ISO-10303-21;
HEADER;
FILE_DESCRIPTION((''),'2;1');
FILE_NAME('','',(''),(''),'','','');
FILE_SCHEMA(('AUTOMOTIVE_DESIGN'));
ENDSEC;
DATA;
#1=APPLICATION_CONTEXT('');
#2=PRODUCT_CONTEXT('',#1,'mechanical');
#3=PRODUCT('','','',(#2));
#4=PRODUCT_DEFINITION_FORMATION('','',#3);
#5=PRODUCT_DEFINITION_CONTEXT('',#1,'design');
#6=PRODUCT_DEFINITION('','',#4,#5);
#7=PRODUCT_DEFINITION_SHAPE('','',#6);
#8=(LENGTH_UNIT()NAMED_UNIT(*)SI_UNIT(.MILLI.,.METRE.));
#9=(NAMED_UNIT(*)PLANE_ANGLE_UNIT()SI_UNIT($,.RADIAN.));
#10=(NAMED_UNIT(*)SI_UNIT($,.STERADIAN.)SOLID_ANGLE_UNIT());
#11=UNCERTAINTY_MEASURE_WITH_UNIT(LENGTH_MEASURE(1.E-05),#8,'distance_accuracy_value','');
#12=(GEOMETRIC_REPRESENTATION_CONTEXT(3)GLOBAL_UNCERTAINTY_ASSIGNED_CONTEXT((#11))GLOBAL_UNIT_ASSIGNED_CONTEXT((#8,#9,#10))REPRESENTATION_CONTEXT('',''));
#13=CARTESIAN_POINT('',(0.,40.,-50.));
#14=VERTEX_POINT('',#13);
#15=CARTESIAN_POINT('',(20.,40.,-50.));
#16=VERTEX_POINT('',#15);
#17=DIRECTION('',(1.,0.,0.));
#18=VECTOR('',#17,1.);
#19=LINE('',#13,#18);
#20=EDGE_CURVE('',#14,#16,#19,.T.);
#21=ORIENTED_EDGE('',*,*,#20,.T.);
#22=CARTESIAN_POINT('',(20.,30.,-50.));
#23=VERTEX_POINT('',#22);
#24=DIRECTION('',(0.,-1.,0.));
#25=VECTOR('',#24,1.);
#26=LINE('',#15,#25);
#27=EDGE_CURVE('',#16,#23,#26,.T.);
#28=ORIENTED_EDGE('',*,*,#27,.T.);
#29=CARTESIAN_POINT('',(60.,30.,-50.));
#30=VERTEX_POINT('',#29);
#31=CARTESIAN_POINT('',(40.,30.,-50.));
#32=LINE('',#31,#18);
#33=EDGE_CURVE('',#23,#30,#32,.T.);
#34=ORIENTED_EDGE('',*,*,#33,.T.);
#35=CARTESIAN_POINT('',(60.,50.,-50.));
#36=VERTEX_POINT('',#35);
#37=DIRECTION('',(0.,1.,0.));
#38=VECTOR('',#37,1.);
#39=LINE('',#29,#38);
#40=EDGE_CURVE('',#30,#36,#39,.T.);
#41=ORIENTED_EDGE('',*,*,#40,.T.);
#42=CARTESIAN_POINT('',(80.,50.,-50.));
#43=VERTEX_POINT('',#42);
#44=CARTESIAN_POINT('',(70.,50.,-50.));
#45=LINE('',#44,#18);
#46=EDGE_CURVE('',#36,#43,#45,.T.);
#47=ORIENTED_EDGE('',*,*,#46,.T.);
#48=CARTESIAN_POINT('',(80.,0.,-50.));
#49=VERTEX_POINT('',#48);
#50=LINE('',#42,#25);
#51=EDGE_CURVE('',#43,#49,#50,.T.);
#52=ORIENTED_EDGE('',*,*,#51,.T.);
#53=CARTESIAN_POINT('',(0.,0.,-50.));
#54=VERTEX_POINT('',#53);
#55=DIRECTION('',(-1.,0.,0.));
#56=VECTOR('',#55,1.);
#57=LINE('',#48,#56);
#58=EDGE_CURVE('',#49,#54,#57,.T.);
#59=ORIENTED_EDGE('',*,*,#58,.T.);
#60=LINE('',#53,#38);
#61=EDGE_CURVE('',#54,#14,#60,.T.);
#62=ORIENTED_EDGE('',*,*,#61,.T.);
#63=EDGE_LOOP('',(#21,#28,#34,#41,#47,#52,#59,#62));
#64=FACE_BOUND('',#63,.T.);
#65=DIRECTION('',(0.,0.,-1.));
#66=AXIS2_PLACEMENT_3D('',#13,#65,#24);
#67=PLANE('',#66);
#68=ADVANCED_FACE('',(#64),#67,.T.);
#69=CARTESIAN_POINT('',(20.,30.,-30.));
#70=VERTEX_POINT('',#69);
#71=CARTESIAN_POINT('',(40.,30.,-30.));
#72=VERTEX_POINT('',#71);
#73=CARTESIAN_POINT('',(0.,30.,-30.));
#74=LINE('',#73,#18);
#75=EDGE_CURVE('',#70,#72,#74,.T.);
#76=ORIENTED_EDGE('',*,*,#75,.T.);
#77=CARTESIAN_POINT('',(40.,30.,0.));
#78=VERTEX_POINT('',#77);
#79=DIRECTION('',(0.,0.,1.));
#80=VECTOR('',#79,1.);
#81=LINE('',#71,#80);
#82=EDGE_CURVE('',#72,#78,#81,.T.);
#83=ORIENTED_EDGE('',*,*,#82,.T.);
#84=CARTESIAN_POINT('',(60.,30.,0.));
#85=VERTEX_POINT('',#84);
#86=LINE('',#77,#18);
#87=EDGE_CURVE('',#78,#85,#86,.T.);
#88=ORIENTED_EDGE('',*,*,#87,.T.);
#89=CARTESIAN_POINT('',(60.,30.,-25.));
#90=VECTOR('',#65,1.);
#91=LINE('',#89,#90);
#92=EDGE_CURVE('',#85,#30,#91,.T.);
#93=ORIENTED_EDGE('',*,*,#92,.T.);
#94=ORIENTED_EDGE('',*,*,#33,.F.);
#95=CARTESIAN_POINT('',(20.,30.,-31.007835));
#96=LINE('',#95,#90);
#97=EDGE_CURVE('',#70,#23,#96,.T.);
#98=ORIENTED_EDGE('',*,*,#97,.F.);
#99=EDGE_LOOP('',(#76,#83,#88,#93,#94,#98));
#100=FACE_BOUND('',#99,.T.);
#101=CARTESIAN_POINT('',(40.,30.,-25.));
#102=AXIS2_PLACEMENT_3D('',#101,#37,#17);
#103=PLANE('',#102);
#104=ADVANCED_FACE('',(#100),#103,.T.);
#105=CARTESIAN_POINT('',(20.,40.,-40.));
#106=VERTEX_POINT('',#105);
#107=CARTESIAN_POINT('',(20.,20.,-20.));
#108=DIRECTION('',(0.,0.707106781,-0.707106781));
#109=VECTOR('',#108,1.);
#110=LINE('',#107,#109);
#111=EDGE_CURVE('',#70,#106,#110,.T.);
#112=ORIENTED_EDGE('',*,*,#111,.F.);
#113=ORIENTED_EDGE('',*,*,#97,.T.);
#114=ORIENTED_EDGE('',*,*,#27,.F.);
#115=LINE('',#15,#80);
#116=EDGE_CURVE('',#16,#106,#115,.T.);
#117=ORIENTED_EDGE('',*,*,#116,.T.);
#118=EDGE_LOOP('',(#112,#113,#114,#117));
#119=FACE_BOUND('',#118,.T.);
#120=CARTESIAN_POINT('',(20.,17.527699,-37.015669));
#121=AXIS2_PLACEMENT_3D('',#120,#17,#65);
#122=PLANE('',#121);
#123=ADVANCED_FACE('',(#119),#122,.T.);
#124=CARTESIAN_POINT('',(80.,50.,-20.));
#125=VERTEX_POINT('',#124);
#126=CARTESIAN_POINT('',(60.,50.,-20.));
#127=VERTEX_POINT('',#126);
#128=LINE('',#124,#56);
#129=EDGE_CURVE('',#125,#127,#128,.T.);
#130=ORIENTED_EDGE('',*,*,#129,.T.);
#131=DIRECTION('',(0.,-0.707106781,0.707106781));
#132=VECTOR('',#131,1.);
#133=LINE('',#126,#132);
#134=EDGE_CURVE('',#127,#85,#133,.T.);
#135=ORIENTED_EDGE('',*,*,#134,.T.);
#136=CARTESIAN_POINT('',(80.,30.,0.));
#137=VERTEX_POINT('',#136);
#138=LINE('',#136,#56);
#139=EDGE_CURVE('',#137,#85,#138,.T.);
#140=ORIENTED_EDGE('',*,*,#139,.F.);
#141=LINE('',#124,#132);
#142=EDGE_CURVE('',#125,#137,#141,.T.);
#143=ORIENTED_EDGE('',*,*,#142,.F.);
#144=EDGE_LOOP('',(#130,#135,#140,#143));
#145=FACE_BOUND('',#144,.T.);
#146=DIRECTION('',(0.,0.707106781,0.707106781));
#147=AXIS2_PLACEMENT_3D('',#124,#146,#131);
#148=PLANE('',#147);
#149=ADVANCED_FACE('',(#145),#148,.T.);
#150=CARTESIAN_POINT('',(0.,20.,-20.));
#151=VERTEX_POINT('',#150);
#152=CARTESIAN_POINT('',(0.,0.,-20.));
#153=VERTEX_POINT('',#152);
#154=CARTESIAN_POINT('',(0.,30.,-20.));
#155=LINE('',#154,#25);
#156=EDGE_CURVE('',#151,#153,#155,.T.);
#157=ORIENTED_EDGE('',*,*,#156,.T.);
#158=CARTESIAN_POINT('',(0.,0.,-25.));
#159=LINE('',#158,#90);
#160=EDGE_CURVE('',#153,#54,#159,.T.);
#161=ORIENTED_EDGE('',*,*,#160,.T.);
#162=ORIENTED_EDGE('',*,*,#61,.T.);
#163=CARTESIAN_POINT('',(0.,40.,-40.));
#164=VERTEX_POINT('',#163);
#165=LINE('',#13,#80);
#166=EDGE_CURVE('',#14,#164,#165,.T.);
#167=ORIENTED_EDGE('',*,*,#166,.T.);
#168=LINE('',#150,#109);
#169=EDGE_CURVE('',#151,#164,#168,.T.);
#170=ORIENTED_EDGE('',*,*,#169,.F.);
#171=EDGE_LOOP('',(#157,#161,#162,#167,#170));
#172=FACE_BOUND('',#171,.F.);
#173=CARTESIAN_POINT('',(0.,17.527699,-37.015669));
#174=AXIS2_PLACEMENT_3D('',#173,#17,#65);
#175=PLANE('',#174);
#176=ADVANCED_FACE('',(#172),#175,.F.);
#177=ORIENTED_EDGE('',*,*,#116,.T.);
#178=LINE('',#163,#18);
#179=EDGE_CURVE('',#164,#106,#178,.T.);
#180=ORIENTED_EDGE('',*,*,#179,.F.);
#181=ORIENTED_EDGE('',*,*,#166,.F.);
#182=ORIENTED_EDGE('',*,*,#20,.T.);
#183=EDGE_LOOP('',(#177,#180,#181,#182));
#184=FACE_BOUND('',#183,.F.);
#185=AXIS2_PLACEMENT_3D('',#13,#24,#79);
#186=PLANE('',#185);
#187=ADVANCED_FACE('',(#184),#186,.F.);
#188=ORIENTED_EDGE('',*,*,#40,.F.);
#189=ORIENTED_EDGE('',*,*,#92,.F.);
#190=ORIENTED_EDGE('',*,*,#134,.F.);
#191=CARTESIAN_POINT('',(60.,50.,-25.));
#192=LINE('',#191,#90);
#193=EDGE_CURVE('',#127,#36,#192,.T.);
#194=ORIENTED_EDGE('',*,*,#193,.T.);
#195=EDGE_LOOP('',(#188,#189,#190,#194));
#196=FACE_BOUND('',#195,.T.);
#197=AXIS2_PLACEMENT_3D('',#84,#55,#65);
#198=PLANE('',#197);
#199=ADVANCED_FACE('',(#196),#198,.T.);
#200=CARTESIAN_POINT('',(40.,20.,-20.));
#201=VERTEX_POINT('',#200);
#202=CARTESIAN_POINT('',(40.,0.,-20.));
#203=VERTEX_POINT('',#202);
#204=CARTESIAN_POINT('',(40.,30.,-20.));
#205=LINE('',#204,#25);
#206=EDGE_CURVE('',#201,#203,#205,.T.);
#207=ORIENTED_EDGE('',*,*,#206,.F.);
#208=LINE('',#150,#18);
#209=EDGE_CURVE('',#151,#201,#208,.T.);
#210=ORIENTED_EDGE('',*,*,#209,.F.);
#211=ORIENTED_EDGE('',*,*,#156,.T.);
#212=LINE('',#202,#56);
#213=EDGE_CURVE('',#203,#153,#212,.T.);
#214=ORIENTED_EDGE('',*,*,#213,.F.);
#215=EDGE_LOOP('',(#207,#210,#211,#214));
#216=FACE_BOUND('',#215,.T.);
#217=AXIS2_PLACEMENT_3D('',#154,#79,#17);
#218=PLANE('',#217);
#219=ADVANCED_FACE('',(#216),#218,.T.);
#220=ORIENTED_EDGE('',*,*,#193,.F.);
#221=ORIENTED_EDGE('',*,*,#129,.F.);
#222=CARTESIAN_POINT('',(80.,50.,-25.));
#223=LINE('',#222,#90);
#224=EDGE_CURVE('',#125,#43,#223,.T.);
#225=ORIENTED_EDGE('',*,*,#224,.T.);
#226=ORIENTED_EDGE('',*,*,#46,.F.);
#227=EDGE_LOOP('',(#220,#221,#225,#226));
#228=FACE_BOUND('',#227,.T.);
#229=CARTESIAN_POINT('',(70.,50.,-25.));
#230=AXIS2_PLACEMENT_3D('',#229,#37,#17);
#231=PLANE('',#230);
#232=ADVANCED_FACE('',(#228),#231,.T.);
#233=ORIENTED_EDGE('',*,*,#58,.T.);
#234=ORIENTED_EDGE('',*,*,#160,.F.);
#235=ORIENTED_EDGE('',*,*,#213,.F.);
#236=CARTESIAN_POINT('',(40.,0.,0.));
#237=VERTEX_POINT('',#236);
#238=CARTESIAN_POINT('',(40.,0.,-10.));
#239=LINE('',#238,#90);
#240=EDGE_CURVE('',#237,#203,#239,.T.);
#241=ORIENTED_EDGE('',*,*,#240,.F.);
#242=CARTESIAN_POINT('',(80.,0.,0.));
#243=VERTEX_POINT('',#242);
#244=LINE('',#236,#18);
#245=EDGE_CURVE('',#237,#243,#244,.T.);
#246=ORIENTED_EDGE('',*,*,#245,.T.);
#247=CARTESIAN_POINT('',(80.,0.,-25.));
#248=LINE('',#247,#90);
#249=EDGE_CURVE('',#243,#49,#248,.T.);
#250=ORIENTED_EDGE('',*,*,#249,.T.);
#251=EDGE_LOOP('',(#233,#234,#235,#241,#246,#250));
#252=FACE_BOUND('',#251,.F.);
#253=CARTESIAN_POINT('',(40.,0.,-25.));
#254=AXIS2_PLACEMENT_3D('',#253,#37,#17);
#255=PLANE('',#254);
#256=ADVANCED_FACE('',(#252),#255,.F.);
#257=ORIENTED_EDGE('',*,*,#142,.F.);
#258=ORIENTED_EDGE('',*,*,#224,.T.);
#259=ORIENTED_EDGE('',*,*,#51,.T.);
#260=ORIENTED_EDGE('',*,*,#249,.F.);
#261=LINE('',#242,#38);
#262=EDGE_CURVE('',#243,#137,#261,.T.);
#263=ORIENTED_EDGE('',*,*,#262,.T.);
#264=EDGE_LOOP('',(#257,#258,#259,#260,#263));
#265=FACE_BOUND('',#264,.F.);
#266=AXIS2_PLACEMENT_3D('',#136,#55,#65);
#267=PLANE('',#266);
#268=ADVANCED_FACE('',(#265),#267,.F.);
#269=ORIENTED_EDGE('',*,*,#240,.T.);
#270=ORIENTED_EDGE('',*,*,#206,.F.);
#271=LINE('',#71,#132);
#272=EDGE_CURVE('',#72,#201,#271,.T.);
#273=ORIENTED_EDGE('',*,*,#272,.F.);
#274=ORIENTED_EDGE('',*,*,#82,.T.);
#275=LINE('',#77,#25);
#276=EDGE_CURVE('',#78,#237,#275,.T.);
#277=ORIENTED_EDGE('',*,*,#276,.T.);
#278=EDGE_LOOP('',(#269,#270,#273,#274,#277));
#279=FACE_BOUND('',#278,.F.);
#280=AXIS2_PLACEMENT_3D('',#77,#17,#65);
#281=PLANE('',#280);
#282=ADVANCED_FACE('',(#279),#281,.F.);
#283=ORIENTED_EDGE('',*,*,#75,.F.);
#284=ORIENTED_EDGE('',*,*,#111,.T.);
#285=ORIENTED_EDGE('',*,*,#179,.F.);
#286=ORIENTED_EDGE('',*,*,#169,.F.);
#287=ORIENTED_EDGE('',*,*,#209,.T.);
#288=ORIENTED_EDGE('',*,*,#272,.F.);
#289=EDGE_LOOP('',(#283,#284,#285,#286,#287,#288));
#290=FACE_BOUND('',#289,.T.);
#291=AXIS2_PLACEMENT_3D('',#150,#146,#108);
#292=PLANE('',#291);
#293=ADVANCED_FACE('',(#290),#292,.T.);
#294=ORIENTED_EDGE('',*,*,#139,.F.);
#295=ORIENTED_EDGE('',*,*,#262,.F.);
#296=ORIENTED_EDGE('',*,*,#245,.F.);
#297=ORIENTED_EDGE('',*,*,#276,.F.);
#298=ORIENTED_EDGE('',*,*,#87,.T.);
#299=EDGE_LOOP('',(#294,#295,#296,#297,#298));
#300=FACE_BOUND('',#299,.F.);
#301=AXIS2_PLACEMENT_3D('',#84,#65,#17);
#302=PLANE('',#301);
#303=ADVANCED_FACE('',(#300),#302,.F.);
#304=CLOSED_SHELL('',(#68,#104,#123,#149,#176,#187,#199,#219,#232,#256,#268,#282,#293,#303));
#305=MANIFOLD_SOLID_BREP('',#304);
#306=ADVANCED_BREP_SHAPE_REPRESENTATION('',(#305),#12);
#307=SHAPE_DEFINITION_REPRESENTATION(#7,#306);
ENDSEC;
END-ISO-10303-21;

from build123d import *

# Parameters (mm, degrees)
SKETCH1_W           = 80
SKETCH1_H           = 50
BOSS_EXTRUDE1_DEPTH = 30
SKETCH2_W           = 40
SKETCH2_H           = 20
CUT_EXTRUDE1_DEPTH  = 30
SKETCH3_W           = 20
SKETCH3_H           = 50
BOSS_EXTRUDE2_DEPTH = 20
CUT_EXTRUDE2_DEPTH  = 20
CUT_EXTRUDE4_DEPTH  = 40
BOSS_EXTRUDE3_DEPTH = 20


with BuildPart() as part:
    # Sketch1 → Boss-Extrude1 (new body)
    with BuildSketch(Plane(origin=(0, 0, 0), x_dir=(1, 0, 0), z_dir=(0, 1, 0))):
        with Locations((40, 25)):
            Rectangle(SKETCH1_W, SKETCH1_H)
    extrude(amount=BOSS_EXTRUDE1_DEPTH)

    # Sketch2 → Cut-Extrude1 (cut)
    with BuildSketch(Plane(origin=(0, 30, 0), x_dir=(1, 0, 0), z_dir=(0, 1, 0))):
        with Locations((20, 10)):
            Rectangle(SKETCH2_W, SKETCH2_H)
    extrude(amount=-CUT_EXTRUDE1_DEPTH, mode=Mode.SUBTRACT)

    # Sketch3 → Boss-Extrude2 (add)
    with BuildSketch(Plane(origin=(0, 30, 0), x_dir=(1, 0, 0), z_dir=(0, 1, 0))):
        with Locations((70, 25)):
            Rectangle(SKETCH3_W, SKETCH3_H)
    extrude(amount=BOSS_EXTRUDE2_DEPTH)

    # Sketch4 → Cut-Extrude2 (cut)
    with BuildSketch(Plane(origin=(80, 0, 0), x_dir=(0, 0, -1), z_dir=(1, 0, 0))):
        Polygon((20, 50), (0, 30), (0, 50), align=None)
    extrude(amount=-CUT_EXTRUDE2_DEPTH, mode=Mode.SUBTRACT)

    # Sketch5 → Cut-Extrude4 (cut)
    with BuildSketch(Plane.ZY):
        Polygon((-30, 30), (-20, 20), (-20, 30), align=None)
    extrude(amount=-CUT_EXTRUDE4_DEPTH, mode=Mode.SUBTRACT)

    # Sketch6 → Boss-Extrude3 (add)
    with BuildSketch(Plane.ZY):
        Polygon((-50, 30), (-50, 40), (-40, 40), (-30, 30), (-20, 20), (-20, 0), (-50, 0), align=None)
    extrude(amount=-BOSS_EXTRUDE3_DEPTH)


solid = part.part
